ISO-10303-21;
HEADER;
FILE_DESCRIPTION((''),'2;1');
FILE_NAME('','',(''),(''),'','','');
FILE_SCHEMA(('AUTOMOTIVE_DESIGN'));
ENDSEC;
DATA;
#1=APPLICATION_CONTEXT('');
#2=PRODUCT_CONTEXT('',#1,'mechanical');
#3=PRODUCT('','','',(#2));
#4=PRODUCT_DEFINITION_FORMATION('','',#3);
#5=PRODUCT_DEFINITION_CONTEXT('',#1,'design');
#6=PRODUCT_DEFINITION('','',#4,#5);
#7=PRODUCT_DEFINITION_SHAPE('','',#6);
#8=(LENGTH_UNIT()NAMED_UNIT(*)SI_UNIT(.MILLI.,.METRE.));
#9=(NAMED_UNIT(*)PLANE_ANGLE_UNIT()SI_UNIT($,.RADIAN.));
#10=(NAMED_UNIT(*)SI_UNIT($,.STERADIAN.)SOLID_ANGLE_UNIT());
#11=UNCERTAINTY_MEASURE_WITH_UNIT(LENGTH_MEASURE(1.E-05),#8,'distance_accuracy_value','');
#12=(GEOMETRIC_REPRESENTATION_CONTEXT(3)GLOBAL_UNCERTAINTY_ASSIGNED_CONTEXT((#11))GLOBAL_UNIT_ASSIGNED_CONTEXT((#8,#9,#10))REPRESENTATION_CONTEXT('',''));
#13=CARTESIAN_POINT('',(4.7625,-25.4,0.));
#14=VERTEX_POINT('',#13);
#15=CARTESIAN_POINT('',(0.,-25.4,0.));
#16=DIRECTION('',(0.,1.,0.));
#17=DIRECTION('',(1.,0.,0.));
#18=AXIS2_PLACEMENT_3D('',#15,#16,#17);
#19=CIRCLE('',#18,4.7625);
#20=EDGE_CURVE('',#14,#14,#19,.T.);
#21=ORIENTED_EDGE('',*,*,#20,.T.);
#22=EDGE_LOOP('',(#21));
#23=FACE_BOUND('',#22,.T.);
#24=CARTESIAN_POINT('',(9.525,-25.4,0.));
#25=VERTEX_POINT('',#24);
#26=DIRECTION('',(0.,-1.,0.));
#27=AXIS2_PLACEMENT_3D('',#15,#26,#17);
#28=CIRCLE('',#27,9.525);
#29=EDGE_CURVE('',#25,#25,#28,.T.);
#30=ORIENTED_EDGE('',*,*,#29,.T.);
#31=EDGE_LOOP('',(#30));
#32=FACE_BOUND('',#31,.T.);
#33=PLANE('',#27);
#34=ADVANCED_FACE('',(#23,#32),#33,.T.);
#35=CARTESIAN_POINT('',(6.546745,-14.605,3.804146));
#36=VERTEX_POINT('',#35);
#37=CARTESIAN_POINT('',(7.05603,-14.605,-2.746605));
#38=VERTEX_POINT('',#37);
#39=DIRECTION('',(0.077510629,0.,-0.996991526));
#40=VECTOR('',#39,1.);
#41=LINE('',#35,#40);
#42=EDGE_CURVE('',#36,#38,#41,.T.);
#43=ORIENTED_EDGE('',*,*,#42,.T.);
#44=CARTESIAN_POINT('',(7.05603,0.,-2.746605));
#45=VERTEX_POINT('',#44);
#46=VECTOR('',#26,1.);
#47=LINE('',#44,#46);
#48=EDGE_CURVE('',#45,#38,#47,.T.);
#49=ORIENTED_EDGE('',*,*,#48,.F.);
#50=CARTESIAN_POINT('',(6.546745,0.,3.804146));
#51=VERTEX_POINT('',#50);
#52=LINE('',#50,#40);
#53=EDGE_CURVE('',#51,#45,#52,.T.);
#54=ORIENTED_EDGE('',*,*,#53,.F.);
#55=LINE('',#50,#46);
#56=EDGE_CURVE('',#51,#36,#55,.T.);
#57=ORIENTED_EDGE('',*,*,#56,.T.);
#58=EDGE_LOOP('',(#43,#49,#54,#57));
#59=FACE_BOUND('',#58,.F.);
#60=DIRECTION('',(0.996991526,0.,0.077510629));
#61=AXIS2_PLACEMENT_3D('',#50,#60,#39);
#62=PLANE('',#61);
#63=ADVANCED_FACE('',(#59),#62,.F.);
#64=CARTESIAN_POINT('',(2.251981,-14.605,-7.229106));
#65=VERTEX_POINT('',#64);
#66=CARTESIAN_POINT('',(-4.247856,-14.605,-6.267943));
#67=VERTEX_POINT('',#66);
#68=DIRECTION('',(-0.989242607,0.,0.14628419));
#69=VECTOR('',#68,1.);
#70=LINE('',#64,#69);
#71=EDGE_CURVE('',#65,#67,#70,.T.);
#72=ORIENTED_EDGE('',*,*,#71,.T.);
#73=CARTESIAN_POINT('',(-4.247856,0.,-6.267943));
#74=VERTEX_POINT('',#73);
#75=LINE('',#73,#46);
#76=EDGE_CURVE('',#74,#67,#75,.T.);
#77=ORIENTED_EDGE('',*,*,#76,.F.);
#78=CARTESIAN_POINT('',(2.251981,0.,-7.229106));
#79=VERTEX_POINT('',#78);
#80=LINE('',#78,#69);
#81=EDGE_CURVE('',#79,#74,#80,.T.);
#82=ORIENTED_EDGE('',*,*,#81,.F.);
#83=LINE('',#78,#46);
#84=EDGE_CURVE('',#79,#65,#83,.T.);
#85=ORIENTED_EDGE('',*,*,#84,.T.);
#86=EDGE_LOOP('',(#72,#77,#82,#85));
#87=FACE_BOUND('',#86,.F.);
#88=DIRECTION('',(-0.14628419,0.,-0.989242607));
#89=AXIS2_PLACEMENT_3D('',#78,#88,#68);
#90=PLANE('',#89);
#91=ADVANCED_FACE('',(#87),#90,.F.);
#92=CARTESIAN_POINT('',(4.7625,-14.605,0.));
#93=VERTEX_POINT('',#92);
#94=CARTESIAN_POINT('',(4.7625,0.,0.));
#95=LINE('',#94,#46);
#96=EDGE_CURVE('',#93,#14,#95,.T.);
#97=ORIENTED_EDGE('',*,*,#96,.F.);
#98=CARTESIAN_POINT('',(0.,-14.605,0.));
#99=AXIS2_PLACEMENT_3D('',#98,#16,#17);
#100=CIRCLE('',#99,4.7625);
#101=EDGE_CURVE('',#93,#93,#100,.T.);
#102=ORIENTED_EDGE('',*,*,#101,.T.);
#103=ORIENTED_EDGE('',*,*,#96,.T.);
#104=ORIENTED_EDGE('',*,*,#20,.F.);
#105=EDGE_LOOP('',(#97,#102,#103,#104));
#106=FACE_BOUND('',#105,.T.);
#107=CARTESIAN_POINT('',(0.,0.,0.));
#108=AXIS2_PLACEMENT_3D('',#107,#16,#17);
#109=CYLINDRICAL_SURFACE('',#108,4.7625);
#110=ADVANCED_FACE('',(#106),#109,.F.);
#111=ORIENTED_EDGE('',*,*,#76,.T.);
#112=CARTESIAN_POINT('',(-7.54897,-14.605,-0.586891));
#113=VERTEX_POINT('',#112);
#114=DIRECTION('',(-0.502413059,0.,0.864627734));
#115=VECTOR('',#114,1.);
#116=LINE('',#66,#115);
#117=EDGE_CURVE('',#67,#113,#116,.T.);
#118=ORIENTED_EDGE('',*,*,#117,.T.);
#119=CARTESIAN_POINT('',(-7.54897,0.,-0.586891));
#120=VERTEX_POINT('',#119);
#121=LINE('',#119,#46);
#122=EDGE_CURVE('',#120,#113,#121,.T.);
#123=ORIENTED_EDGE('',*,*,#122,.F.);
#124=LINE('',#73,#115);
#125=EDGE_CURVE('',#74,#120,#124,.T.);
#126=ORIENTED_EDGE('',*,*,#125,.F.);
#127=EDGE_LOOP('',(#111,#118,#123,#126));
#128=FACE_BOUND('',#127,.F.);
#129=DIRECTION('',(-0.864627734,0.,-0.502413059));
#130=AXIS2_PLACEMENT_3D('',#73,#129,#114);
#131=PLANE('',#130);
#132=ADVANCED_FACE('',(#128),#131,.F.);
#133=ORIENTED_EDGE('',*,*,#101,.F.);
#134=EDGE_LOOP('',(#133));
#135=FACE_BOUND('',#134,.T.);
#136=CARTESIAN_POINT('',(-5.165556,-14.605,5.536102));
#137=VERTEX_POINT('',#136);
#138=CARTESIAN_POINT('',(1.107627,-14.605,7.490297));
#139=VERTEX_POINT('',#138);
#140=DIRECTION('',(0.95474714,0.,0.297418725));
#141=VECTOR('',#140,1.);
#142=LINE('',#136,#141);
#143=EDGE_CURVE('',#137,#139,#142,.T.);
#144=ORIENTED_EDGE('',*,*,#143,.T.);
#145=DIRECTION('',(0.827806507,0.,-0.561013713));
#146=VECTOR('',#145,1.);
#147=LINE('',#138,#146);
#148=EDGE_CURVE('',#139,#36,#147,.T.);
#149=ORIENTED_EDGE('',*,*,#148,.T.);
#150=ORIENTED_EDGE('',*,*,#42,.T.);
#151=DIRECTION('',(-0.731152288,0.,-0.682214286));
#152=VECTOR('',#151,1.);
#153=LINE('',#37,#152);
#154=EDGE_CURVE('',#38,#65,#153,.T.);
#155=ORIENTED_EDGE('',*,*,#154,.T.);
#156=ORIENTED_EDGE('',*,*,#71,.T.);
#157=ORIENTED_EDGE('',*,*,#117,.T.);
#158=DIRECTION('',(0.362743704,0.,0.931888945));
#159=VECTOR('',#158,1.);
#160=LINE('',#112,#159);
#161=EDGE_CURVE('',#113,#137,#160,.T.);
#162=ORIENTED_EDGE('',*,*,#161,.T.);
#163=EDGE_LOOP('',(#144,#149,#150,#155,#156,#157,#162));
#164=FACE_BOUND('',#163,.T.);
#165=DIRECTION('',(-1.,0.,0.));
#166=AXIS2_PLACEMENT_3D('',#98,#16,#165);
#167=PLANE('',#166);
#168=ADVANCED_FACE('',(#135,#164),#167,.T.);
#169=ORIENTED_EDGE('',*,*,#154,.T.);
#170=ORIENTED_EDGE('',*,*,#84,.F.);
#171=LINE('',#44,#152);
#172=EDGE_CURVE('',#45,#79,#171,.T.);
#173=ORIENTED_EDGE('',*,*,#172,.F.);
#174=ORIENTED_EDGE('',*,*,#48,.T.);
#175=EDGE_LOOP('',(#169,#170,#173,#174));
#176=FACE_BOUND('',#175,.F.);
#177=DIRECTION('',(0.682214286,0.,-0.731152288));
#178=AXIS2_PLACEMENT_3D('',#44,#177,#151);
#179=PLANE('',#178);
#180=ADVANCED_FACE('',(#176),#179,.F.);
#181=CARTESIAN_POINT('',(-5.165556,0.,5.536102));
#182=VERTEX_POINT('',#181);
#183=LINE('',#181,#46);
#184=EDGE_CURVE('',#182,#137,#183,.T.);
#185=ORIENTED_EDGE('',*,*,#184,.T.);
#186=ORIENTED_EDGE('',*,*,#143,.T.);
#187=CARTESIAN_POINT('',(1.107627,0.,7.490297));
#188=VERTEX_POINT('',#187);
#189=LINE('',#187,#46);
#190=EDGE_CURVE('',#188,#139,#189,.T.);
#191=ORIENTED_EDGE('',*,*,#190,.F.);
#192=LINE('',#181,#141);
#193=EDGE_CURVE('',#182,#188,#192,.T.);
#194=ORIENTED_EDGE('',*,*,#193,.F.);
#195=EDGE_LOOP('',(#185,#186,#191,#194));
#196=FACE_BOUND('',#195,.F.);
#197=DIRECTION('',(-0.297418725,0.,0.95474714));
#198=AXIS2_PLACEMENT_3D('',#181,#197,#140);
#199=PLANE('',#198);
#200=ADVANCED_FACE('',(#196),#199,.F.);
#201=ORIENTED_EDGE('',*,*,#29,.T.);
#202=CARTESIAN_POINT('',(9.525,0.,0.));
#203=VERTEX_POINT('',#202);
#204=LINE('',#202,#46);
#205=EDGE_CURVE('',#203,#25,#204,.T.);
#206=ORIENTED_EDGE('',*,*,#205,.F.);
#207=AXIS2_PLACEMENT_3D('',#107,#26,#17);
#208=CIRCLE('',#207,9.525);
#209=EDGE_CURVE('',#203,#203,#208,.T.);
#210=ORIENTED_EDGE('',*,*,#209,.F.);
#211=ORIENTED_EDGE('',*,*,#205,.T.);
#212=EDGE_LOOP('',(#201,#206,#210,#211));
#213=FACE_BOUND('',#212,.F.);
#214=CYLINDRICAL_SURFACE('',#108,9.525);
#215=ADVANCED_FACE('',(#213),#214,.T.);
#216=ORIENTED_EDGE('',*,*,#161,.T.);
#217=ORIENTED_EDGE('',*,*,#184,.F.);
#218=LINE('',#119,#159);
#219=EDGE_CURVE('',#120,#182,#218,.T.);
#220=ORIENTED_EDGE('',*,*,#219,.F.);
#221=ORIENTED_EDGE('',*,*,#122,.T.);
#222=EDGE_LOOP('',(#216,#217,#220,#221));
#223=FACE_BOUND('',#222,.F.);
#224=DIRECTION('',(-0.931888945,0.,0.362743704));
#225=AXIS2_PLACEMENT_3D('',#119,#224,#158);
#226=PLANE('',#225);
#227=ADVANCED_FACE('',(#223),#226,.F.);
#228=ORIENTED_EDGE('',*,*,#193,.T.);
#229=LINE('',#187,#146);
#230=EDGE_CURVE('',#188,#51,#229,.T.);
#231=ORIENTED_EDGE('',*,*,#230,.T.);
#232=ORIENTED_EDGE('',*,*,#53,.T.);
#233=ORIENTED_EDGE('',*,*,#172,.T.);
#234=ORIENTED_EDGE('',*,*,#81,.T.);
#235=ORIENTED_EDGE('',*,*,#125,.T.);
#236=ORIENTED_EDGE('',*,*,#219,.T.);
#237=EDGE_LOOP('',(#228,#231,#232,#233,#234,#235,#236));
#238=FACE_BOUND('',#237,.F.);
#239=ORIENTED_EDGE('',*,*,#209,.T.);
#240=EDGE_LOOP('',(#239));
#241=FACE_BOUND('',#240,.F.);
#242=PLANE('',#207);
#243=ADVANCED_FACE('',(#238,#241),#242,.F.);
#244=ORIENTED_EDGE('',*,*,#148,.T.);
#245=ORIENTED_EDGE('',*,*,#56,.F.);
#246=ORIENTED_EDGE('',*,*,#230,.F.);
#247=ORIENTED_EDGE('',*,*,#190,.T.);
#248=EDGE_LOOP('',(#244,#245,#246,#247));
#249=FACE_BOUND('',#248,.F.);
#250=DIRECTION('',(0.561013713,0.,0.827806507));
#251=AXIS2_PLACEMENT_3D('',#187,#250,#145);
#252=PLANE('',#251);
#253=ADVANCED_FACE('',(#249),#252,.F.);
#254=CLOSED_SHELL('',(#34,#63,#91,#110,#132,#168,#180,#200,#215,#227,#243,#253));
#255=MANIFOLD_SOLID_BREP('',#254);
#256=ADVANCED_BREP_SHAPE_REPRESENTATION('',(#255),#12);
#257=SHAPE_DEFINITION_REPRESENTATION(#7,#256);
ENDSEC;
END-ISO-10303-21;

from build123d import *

# Parameters (mm, degrees)
F0_R     = 9.525
F1_DEPTH = 25.4
F3_R     = 4.7625
F4_DEPTH = 25.401
F2_W     = 9.525
F2_H     = 9.525
F5_DEPTH = 11.0998
F7_DEPTH = 14.605


with BuildPart() as f1:
    # F0 (on Front) → F1 (new body)
    with BuildSketch(Plane.XZ):
        Circle(F0_R)
    extrude(amount=F1_DEPTH)

    # F3 (on Front) → F4 (cut, through all)
    with BuildSketch(Plane.XZ):
        Circle(F3_R)
    extrude(amount=F4_DEPTH, mode=Mode.SUBTRACT)

    # F2 (on Front) → F5 (cut)
    with BuildSketch(Plane.XZ):
        Rectangle(F2_W, F2_H)
    extrude(amount=F5_DEPTH, mode=Mode.SUBTRACT)

    # F6 (on face) → F7 (cut)
    with BuildSketch(Plane(origin=(0, 0, 0), x_dir=(-1, 0, 0), z_dir=(0, 1, 0))):
        Polygon((4.247856, -6.267943), (7.54897, -0.586891), (5.165556, 5.536102), (-1.107627, 7.490297), (-6.546745, 3.804146), (-7.05603, -2.746605), (-2.251981, -7.229106), align=None)
    extrude(amount=-F7_DEPTH, mode=Mode.SUBTRACT)


solid = f1.part
